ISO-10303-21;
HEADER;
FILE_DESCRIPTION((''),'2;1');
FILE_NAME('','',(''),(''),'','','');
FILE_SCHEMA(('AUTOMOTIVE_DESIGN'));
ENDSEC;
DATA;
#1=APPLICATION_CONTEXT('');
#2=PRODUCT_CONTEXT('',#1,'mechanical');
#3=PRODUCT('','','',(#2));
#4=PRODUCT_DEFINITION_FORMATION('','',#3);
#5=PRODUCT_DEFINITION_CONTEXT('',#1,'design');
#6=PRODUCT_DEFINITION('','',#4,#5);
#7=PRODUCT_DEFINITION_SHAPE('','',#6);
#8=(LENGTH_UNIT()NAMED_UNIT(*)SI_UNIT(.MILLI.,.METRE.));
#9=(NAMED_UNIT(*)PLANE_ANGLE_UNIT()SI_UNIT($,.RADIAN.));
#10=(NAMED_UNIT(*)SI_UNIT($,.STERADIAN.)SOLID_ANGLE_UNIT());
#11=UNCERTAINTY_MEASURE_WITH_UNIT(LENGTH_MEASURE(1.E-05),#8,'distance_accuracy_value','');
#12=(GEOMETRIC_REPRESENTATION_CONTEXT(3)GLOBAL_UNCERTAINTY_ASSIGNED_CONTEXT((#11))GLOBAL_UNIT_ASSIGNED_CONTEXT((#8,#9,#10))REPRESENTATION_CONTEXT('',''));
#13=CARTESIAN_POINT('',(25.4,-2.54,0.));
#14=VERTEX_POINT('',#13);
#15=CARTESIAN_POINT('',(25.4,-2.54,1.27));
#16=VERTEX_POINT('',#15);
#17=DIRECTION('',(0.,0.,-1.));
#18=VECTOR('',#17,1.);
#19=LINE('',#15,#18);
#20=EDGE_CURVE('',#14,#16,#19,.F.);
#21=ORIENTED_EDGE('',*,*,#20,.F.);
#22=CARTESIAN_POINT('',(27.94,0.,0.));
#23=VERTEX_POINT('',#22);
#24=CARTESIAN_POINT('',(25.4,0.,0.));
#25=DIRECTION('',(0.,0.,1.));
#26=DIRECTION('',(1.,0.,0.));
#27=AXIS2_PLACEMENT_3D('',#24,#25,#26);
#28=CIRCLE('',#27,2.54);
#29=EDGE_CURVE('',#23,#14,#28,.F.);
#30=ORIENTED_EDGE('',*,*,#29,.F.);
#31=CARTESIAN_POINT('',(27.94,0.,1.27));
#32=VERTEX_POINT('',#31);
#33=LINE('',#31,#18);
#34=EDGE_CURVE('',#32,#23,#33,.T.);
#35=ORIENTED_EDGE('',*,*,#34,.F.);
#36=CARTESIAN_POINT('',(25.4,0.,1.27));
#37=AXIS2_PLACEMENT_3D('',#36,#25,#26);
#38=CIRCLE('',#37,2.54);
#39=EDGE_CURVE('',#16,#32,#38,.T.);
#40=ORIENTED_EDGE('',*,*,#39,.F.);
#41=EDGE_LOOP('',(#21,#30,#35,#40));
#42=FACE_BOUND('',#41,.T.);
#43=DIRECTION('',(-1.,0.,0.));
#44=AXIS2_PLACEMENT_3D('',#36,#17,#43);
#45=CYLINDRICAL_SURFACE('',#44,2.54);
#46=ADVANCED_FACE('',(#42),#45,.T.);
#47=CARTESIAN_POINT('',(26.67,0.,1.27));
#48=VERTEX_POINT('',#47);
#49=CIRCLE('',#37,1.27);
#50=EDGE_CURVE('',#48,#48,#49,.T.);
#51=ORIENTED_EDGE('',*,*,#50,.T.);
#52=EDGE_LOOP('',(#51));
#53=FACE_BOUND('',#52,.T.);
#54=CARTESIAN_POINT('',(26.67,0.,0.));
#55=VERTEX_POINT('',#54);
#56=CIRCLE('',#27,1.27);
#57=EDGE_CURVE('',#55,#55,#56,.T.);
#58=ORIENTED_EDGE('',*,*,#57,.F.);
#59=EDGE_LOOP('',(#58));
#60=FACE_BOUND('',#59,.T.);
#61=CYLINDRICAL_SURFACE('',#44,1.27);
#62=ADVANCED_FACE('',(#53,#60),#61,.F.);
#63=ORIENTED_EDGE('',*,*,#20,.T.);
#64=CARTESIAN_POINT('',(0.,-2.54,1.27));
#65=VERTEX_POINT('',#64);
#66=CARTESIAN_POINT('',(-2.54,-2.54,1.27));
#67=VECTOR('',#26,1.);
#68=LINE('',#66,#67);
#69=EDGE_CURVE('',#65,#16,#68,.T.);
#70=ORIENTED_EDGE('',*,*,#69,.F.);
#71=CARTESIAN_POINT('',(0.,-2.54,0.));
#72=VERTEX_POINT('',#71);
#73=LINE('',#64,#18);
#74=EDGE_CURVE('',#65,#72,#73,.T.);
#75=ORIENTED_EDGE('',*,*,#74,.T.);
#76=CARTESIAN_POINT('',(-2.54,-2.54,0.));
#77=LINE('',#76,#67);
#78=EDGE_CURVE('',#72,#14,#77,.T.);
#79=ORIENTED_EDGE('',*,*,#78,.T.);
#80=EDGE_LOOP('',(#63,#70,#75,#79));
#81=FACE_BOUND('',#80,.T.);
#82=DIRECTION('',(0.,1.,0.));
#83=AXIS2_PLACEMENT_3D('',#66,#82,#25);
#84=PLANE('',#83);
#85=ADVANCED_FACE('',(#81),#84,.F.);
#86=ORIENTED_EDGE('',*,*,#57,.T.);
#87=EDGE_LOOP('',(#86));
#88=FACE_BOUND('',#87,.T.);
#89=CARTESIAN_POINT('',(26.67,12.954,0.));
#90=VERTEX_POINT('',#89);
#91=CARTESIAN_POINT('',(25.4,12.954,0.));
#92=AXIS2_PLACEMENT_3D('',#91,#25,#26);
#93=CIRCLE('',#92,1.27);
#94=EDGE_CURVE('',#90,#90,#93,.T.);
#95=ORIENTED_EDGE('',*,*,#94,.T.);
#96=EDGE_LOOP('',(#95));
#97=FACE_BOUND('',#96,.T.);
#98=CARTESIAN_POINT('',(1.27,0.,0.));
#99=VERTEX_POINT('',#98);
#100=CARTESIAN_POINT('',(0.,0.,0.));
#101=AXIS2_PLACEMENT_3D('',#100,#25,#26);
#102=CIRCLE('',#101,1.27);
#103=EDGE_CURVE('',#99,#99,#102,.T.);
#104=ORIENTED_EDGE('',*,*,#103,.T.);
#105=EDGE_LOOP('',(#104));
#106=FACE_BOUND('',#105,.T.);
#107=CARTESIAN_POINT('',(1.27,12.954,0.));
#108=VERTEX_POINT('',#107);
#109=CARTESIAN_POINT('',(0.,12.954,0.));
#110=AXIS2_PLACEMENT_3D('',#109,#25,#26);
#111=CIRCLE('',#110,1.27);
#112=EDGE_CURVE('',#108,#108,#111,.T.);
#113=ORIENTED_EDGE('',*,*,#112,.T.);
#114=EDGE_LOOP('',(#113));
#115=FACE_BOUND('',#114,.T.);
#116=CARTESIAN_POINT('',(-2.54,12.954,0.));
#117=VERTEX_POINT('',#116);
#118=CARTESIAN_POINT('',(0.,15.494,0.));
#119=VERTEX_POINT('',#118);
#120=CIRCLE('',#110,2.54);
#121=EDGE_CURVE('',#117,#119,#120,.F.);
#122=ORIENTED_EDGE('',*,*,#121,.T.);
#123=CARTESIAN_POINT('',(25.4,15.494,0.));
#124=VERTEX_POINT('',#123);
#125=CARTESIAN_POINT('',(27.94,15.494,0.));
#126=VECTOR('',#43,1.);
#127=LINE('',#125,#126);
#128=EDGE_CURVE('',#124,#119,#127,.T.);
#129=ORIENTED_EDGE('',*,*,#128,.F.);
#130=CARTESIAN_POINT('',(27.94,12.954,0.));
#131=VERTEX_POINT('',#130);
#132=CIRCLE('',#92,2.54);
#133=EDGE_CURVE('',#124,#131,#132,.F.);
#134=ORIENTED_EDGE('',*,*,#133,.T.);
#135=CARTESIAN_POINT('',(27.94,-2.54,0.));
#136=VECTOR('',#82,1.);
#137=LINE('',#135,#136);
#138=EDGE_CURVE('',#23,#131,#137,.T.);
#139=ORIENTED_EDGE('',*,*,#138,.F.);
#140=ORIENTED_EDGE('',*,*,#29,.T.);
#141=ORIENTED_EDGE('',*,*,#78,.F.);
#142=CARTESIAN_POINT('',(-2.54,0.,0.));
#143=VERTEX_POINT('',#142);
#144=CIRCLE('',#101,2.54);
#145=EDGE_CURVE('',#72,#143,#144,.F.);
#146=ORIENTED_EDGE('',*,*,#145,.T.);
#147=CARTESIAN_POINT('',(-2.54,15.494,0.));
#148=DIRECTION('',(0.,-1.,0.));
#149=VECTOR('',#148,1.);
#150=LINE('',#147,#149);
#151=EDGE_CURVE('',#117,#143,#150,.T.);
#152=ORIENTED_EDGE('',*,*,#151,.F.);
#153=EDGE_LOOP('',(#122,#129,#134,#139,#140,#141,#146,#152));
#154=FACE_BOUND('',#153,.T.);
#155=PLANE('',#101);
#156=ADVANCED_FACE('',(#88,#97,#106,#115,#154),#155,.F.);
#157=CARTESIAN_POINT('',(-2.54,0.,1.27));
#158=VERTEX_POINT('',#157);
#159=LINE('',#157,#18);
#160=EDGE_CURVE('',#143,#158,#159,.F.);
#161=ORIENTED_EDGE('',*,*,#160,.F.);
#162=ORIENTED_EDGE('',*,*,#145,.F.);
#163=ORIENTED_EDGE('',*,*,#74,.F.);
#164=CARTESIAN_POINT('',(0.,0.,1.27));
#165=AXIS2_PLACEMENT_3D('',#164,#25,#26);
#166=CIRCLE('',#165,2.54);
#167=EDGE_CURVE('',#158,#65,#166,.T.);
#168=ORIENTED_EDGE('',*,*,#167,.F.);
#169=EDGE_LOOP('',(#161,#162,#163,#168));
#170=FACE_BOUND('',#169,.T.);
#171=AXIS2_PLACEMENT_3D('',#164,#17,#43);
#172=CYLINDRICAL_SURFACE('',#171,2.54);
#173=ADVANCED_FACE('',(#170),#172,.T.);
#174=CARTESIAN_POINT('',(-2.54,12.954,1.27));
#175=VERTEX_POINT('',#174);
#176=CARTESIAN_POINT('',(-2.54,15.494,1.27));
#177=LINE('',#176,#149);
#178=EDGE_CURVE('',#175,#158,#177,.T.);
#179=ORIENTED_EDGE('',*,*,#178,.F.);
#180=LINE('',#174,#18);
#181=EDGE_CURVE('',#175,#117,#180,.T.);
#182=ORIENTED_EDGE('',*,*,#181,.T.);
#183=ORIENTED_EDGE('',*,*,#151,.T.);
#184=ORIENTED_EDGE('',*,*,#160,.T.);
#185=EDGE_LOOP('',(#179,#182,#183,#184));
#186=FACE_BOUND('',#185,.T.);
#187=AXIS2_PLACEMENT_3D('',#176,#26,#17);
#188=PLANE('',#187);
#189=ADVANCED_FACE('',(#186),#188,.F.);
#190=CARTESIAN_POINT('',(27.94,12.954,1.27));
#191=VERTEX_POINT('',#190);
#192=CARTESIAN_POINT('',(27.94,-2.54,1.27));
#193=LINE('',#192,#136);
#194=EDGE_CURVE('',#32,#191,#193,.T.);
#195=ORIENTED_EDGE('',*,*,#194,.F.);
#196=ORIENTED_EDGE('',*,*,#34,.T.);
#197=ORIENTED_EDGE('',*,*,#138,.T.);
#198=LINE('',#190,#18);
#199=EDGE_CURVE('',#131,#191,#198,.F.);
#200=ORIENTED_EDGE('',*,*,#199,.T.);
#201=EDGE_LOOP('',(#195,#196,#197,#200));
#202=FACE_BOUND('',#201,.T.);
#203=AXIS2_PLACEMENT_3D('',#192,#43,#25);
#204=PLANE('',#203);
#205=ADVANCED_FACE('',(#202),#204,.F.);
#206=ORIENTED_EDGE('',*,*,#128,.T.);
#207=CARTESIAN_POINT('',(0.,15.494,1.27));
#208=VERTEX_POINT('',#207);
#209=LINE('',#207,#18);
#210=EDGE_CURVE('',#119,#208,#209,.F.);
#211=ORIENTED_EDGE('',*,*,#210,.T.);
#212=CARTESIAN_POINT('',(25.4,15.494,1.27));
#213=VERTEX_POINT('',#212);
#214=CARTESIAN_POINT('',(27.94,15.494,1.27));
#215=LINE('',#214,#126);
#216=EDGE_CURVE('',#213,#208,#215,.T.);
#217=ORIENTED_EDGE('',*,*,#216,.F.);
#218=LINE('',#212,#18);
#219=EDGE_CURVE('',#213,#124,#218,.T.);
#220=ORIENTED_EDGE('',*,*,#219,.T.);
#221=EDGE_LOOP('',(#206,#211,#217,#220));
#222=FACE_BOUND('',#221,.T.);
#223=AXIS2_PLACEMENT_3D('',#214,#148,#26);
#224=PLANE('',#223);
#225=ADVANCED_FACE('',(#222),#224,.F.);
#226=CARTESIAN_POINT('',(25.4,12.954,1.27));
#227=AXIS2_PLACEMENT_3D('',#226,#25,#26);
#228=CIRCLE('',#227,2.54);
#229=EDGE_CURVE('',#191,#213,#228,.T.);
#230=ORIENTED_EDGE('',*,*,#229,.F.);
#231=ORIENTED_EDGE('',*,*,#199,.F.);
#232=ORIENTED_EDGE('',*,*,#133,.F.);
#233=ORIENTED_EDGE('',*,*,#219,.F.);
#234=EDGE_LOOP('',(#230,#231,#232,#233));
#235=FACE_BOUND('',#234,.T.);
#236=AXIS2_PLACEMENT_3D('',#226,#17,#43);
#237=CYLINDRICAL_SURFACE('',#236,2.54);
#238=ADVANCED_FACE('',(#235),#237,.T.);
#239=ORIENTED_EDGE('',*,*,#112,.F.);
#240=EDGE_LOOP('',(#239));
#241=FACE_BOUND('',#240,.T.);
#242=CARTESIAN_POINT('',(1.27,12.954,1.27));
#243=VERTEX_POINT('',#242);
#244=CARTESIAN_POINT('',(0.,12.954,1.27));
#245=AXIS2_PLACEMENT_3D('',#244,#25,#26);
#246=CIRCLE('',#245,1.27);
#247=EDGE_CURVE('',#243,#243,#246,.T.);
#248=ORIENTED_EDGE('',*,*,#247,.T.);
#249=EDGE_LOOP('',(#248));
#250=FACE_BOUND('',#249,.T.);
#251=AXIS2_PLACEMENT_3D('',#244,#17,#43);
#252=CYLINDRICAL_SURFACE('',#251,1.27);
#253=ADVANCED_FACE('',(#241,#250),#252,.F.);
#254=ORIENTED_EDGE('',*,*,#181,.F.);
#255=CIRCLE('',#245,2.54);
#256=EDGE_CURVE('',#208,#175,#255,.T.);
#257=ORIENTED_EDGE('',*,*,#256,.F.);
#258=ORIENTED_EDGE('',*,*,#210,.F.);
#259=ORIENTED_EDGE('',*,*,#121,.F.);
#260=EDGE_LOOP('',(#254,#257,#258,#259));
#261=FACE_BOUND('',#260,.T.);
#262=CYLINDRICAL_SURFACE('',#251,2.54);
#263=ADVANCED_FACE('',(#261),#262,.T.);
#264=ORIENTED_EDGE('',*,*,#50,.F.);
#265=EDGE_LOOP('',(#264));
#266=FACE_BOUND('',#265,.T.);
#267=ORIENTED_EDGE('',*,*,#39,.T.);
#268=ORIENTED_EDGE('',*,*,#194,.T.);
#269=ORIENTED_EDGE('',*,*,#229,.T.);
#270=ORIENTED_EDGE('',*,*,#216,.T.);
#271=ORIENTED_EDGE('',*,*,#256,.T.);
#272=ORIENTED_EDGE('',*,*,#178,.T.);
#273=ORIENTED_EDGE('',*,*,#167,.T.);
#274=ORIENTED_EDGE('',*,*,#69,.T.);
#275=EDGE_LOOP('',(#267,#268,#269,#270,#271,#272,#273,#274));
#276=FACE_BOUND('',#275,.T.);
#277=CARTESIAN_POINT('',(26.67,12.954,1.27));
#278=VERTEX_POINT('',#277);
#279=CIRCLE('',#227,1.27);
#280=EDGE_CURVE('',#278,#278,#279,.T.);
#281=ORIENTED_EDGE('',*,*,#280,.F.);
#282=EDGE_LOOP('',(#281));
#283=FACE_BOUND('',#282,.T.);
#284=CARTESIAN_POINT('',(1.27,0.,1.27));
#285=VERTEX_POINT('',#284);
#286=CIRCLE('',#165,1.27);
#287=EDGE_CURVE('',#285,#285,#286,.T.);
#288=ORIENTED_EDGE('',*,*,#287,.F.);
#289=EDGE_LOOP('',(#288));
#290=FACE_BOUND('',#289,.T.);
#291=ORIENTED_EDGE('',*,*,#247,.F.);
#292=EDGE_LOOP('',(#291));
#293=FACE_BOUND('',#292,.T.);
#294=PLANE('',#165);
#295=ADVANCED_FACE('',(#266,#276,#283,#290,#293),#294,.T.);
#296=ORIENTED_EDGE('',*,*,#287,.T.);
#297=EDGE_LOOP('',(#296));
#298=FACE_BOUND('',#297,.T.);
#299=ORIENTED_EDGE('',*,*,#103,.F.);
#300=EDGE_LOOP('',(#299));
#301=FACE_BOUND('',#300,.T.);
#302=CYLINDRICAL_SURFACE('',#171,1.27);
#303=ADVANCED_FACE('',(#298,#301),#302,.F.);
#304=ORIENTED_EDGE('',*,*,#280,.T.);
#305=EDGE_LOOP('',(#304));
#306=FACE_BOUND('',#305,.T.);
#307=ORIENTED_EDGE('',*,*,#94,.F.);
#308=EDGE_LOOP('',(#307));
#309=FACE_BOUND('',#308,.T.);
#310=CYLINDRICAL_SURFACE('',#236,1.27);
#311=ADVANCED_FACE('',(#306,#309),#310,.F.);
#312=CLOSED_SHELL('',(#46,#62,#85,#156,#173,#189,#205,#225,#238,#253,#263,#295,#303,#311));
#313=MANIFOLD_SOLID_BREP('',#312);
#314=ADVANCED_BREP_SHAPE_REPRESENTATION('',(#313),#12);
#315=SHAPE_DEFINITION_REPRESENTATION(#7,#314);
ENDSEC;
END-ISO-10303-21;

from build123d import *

# Parameters (mm, degrees)
SKETCH1_W           = 30.48
SKETCH1_H           = 18.034
SKETCH1_R           = 1.27
BOSS_EXTRUDE1_DEPTH = 1.27
FILLET1_R           = 2.54


with BuildPart() as part:
    # Sketch1 → Boss-Extrude1 (new body)
    with BuildSketch(Plane.XY):
        with Locations((12.7, 6.477)):
            Rectangle(SKETCH1_W, SKETCH1_H)
        with Locations((0, 12.954)):
            Circle(SKETCH1_R, mode=Mode.SUBTRACT)
        Circle(SKETCH1_R, mode=Mode.SUBTRACT)
        with Locations((25.4, 12.954)):
            Circle(SKETCH1_R, mode=Mode.SUBTRACT)
        with Locations((25.4, 0)):
            Circle(SKETCH1_R, mode=Mode.SUBTRACT)
    extrude(amount=BOSS_EXTRUDE1_DEPTH)

    # Fillet1
    fillet1_edges = [part.edges().sort_by_distance(p)[0] for p in [
        (27.94, 15.494, 0.635),
        (27.94, -2.54, 0.635),
        (-2.54, -2.54, 0.635),
        (-2.54, 15.494, 0.635),
    ]]
    fillet(fillet1_edges, radius=FILLET1_R)


solid = part.part
